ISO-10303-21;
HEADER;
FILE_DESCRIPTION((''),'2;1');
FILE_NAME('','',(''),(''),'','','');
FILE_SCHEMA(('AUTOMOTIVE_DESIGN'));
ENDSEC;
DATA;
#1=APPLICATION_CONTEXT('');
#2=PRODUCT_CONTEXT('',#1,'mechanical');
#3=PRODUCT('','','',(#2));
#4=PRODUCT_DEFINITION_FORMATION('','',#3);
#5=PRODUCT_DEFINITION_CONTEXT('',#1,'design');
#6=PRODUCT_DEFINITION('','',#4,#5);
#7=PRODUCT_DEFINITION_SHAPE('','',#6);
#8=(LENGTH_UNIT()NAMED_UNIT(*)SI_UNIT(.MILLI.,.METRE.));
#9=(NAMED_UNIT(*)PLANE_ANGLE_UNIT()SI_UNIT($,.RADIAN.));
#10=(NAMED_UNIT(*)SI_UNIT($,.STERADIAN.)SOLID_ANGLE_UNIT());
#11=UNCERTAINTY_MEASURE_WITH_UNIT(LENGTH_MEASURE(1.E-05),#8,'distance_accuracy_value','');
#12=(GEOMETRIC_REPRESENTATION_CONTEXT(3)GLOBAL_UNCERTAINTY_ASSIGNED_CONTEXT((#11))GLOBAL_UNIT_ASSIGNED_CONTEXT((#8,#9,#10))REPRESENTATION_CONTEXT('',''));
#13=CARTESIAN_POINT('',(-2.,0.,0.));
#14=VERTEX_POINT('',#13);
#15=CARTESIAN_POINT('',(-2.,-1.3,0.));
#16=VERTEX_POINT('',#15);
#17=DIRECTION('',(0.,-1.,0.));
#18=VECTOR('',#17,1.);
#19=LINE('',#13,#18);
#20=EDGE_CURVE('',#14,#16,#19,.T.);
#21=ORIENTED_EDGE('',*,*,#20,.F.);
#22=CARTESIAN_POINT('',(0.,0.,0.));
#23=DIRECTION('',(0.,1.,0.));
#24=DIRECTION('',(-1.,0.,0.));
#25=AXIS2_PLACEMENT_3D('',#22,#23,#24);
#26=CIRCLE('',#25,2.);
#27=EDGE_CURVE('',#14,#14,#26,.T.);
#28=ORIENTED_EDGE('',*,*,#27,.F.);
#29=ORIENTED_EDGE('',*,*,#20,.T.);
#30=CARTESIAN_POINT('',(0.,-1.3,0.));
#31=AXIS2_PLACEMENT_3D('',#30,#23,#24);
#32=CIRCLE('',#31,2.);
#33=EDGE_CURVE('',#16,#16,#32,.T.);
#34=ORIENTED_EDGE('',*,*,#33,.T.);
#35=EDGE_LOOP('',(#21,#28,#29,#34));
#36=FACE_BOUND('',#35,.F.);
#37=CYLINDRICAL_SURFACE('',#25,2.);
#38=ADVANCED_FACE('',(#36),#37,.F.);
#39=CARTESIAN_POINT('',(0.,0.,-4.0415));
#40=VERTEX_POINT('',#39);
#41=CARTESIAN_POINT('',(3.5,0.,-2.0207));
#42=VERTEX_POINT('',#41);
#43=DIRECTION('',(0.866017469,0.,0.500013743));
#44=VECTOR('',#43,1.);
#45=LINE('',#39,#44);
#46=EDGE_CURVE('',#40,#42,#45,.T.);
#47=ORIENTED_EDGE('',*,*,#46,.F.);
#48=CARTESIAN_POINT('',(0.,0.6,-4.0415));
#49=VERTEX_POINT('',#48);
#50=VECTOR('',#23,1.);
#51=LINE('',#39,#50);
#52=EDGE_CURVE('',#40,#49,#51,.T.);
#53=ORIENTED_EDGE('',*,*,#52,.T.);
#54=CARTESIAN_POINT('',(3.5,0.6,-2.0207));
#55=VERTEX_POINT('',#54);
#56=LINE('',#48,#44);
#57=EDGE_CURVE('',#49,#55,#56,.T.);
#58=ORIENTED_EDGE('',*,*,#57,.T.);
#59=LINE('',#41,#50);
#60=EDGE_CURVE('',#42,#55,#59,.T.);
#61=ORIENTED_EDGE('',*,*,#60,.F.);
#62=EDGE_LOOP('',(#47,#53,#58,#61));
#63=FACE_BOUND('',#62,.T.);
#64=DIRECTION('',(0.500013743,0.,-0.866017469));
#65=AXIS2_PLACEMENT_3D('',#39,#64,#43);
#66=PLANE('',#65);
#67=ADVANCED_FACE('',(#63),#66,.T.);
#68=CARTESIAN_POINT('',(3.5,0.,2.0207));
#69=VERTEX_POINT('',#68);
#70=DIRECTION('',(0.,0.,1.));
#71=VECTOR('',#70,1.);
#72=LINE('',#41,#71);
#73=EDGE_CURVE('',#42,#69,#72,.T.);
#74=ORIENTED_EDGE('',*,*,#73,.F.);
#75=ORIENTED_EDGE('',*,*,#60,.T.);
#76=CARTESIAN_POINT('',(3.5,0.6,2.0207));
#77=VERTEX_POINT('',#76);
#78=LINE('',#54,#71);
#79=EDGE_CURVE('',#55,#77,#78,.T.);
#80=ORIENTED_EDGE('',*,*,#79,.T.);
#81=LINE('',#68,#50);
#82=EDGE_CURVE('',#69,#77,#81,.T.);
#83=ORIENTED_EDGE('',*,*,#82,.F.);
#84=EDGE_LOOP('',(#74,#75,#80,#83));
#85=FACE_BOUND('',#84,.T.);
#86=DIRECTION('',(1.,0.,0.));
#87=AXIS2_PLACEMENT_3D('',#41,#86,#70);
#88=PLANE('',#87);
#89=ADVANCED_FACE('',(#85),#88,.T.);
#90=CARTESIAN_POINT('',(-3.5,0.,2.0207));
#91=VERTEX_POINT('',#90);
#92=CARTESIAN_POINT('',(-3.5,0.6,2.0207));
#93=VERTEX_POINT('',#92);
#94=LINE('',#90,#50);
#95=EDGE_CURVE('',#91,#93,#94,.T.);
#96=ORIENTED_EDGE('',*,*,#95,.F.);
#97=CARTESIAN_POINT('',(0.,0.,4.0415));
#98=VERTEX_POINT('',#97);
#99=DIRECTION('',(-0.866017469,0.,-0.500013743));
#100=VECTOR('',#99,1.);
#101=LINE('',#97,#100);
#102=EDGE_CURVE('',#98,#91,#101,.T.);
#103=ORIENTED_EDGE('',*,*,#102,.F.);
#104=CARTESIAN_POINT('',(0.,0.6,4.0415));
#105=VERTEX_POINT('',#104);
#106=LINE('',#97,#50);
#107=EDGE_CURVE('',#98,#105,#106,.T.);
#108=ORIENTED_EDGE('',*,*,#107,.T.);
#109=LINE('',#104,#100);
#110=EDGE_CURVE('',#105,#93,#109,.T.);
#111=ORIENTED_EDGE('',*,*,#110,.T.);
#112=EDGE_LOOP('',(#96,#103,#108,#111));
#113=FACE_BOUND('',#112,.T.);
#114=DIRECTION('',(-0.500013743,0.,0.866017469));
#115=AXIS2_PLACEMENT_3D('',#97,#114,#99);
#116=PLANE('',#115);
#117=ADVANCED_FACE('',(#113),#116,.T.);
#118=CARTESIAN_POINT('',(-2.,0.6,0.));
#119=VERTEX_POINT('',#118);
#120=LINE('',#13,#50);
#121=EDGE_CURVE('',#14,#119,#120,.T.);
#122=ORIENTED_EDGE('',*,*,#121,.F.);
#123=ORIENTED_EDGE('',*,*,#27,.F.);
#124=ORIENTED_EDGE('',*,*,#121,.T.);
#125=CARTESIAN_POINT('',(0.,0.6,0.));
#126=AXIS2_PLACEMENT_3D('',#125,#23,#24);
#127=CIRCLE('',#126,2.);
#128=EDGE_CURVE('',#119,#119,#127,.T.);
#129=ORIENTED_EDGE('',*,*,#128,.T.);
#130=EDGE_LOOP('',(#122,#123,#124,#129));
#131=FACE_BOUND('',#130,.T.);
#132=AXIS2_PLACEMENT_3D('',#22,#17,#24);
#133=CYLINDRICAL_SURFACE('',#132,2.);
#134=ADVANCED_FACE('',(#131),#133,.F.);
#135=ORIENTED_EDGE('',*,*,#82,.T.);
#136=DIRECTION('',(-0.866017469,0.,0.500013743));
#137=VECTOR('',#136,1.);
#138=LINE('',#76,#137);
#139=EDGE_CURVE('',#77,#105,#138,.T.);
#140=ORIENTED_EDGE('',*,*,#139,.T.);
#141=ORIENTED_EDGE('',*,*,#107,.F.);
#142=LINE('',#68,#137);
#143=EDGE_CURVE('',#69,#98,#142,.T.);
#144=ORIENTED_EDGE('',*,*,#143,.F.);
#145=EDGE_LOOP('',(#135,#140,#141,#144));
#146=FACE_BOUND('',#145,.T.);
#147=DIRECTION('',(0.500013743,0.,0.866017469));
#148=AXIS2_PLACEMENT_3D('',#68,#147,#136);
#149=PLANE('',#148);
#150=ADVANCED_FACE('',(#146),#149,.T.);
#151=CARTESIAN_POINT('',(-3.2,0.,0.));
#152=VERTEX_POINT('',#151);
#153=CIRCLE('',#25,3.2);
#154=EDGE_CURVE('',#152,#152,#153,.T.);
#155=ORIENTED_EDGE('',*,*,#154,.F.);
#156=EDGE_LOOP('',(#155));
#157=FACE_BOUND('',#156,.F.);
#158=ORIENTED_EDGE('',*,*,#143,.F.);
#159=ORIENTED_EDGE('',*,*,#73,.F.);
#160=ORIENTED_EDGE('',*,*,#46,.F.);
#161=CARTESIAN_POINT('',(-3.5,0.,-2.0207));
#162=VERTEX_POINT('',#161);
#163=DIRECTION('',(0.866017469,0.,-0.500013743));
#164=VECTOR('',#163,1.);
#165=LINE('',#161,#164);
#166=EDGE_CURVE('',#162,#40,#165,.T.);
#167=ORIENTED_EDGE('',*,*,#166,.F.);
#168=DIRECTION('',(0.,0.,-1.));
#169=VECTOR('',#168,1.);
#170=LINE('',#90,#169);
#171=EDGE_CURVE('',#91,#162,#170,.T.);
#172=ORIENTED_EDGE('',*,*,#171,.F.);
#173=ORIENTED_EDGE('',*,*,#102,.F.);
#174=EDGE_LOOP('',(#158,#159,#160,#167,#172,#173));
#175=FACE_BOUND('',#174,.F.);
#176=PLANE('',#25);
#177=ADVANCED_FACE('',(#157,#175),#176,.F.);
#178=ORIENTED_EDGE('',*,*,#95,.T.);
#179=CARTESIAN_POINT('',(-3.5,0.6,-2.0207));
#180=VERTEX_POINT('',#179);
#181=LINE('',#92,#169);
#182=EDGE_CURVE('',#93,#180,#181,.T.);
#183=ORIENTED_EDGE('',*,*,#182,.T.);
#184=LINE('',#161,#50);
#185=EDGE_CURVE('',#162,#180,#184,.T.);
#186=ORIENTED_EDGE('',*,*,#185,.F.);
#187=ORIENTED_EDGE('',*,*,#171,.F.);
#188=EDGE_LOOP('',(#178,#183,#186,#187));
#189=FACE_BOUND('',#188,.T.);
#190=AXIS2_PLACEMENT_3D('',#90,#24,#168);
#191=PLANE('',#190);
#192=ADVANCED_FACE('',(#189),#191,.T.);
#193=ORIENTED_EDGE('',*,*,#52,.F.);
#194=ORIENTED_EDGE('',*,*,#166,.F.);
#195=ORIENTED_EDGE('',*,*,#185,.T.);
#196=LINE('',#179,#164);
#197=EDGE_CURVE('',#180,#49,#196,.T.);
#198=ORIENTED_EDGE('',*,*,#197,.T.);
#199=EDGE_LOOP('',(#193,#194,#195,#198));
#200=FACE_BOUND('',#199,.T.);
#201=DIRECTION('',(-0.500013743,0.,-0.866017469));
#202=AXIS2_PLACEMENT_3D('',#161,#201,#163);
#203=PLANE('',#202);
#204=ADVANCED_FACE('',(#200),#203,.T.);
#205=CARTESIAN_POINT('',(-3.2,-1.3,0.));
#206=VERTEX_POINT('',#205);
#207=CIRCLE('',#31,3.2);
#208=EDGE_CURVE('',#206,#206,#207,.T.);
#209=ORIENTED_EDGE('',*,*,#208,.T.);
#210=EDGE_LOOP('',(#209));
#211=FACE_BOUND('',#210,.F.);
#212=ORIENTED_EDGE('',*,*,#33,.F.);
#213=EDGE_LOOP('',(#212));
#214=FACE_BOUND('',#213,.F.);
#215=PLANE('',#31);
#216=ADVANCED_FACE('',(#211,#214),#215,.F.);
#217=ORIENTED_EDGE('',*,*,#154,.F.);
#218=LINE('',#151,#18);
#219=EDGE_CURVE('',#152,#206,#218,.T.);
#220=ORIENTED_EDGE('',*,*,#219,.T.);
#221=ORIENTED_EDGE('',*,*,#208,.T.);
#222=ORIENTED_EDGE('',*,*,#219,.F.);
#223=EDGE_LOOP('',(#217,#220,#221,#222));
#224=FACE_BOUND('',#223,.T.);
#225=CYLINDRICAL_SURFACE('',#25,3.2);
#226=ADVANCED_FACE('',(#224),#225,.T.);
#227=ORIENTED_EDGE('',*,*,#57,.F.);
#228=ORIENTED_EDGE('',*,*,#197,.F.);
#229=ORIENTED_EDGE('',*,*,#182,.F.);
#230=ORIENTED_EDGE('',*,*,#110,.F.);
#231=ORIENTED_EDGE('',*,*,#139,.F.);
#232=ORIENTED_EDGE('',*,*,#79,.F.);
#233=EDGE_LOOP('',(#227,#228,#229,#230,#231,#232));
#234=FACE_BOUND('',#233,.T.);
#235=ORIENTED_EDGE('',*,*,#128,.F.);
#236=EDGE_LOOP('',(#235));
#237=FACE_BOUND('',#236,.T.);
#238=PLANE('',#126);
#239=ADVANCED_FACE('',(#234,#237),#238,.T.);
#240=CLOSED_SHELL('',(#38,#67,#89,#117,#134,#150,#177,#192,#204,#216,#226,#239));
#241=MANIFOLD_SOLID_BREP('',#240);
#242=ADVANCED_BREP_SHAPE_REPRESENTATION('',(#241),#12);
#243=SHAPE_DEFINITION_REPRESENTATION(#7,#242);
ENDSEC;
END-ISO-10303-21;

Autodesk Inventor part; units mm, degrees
ref_plane "YZ Plane" through (0, 0, 0) normal (1, 0, 0) x (0, 1, 0)
ref_plane "XZ Plane" through (0, 0, 0) normal (0, 1, 0) x (-1, 0, 0)
ref_plane "XY Plane" through (0, 0, 0) normal (0, 0, 1) x (1, 0, 0)
sketch "スケッチ1" plane through (0, 0, 0) normal (0, 1, 0) x (-1, 0, 0)
  circle A0 centre (0, 0) radius 2
  circle A1 centre (0, 0) radius 3.2
  circle A2 centre (0, 0) radius 3.5 construction
  line L0 (3.5, 2.0207) -> (3.5, -2.0207)
  line L1 (3.5, -2.0207) -> (0, -4.0415)
  line L2 (0, -4.0415) -> (-3.5, -2.0207)
  line L3 (-3.5, -2.0207) -> (-3.5, 2.0207)
  line L4 (-3.5, 2.0207) -> (0, 4.0415)
  line L5 (0, 4.0415) -> (3.5, 2.0207)
  line L6 (0, 4.5564) -> (0, -4.4801) construction
  line L7 (3.3581, 0) -> (-3.3581, 0) construction
  point P0 (1.75, 3.0311)
  dimension "d2" = 7
  dimension "d0" = 6.4
  dimension "d1" = 4
extrude "押し出し1" add sketch "スケッチ1" along normal blind 0.6 contours A1 | L0 L1 L2 L3 L4 L5
extrude "押し出し2" add sketch "スケッチ1" against normal blind 1.3 contours A1
thread "ねじ1" size "M4x0.7" class "6H" standard "ANSI Metric M Profile" full length
properties part number "SF419" material "鉄、ダクタイル鋳鉄"
